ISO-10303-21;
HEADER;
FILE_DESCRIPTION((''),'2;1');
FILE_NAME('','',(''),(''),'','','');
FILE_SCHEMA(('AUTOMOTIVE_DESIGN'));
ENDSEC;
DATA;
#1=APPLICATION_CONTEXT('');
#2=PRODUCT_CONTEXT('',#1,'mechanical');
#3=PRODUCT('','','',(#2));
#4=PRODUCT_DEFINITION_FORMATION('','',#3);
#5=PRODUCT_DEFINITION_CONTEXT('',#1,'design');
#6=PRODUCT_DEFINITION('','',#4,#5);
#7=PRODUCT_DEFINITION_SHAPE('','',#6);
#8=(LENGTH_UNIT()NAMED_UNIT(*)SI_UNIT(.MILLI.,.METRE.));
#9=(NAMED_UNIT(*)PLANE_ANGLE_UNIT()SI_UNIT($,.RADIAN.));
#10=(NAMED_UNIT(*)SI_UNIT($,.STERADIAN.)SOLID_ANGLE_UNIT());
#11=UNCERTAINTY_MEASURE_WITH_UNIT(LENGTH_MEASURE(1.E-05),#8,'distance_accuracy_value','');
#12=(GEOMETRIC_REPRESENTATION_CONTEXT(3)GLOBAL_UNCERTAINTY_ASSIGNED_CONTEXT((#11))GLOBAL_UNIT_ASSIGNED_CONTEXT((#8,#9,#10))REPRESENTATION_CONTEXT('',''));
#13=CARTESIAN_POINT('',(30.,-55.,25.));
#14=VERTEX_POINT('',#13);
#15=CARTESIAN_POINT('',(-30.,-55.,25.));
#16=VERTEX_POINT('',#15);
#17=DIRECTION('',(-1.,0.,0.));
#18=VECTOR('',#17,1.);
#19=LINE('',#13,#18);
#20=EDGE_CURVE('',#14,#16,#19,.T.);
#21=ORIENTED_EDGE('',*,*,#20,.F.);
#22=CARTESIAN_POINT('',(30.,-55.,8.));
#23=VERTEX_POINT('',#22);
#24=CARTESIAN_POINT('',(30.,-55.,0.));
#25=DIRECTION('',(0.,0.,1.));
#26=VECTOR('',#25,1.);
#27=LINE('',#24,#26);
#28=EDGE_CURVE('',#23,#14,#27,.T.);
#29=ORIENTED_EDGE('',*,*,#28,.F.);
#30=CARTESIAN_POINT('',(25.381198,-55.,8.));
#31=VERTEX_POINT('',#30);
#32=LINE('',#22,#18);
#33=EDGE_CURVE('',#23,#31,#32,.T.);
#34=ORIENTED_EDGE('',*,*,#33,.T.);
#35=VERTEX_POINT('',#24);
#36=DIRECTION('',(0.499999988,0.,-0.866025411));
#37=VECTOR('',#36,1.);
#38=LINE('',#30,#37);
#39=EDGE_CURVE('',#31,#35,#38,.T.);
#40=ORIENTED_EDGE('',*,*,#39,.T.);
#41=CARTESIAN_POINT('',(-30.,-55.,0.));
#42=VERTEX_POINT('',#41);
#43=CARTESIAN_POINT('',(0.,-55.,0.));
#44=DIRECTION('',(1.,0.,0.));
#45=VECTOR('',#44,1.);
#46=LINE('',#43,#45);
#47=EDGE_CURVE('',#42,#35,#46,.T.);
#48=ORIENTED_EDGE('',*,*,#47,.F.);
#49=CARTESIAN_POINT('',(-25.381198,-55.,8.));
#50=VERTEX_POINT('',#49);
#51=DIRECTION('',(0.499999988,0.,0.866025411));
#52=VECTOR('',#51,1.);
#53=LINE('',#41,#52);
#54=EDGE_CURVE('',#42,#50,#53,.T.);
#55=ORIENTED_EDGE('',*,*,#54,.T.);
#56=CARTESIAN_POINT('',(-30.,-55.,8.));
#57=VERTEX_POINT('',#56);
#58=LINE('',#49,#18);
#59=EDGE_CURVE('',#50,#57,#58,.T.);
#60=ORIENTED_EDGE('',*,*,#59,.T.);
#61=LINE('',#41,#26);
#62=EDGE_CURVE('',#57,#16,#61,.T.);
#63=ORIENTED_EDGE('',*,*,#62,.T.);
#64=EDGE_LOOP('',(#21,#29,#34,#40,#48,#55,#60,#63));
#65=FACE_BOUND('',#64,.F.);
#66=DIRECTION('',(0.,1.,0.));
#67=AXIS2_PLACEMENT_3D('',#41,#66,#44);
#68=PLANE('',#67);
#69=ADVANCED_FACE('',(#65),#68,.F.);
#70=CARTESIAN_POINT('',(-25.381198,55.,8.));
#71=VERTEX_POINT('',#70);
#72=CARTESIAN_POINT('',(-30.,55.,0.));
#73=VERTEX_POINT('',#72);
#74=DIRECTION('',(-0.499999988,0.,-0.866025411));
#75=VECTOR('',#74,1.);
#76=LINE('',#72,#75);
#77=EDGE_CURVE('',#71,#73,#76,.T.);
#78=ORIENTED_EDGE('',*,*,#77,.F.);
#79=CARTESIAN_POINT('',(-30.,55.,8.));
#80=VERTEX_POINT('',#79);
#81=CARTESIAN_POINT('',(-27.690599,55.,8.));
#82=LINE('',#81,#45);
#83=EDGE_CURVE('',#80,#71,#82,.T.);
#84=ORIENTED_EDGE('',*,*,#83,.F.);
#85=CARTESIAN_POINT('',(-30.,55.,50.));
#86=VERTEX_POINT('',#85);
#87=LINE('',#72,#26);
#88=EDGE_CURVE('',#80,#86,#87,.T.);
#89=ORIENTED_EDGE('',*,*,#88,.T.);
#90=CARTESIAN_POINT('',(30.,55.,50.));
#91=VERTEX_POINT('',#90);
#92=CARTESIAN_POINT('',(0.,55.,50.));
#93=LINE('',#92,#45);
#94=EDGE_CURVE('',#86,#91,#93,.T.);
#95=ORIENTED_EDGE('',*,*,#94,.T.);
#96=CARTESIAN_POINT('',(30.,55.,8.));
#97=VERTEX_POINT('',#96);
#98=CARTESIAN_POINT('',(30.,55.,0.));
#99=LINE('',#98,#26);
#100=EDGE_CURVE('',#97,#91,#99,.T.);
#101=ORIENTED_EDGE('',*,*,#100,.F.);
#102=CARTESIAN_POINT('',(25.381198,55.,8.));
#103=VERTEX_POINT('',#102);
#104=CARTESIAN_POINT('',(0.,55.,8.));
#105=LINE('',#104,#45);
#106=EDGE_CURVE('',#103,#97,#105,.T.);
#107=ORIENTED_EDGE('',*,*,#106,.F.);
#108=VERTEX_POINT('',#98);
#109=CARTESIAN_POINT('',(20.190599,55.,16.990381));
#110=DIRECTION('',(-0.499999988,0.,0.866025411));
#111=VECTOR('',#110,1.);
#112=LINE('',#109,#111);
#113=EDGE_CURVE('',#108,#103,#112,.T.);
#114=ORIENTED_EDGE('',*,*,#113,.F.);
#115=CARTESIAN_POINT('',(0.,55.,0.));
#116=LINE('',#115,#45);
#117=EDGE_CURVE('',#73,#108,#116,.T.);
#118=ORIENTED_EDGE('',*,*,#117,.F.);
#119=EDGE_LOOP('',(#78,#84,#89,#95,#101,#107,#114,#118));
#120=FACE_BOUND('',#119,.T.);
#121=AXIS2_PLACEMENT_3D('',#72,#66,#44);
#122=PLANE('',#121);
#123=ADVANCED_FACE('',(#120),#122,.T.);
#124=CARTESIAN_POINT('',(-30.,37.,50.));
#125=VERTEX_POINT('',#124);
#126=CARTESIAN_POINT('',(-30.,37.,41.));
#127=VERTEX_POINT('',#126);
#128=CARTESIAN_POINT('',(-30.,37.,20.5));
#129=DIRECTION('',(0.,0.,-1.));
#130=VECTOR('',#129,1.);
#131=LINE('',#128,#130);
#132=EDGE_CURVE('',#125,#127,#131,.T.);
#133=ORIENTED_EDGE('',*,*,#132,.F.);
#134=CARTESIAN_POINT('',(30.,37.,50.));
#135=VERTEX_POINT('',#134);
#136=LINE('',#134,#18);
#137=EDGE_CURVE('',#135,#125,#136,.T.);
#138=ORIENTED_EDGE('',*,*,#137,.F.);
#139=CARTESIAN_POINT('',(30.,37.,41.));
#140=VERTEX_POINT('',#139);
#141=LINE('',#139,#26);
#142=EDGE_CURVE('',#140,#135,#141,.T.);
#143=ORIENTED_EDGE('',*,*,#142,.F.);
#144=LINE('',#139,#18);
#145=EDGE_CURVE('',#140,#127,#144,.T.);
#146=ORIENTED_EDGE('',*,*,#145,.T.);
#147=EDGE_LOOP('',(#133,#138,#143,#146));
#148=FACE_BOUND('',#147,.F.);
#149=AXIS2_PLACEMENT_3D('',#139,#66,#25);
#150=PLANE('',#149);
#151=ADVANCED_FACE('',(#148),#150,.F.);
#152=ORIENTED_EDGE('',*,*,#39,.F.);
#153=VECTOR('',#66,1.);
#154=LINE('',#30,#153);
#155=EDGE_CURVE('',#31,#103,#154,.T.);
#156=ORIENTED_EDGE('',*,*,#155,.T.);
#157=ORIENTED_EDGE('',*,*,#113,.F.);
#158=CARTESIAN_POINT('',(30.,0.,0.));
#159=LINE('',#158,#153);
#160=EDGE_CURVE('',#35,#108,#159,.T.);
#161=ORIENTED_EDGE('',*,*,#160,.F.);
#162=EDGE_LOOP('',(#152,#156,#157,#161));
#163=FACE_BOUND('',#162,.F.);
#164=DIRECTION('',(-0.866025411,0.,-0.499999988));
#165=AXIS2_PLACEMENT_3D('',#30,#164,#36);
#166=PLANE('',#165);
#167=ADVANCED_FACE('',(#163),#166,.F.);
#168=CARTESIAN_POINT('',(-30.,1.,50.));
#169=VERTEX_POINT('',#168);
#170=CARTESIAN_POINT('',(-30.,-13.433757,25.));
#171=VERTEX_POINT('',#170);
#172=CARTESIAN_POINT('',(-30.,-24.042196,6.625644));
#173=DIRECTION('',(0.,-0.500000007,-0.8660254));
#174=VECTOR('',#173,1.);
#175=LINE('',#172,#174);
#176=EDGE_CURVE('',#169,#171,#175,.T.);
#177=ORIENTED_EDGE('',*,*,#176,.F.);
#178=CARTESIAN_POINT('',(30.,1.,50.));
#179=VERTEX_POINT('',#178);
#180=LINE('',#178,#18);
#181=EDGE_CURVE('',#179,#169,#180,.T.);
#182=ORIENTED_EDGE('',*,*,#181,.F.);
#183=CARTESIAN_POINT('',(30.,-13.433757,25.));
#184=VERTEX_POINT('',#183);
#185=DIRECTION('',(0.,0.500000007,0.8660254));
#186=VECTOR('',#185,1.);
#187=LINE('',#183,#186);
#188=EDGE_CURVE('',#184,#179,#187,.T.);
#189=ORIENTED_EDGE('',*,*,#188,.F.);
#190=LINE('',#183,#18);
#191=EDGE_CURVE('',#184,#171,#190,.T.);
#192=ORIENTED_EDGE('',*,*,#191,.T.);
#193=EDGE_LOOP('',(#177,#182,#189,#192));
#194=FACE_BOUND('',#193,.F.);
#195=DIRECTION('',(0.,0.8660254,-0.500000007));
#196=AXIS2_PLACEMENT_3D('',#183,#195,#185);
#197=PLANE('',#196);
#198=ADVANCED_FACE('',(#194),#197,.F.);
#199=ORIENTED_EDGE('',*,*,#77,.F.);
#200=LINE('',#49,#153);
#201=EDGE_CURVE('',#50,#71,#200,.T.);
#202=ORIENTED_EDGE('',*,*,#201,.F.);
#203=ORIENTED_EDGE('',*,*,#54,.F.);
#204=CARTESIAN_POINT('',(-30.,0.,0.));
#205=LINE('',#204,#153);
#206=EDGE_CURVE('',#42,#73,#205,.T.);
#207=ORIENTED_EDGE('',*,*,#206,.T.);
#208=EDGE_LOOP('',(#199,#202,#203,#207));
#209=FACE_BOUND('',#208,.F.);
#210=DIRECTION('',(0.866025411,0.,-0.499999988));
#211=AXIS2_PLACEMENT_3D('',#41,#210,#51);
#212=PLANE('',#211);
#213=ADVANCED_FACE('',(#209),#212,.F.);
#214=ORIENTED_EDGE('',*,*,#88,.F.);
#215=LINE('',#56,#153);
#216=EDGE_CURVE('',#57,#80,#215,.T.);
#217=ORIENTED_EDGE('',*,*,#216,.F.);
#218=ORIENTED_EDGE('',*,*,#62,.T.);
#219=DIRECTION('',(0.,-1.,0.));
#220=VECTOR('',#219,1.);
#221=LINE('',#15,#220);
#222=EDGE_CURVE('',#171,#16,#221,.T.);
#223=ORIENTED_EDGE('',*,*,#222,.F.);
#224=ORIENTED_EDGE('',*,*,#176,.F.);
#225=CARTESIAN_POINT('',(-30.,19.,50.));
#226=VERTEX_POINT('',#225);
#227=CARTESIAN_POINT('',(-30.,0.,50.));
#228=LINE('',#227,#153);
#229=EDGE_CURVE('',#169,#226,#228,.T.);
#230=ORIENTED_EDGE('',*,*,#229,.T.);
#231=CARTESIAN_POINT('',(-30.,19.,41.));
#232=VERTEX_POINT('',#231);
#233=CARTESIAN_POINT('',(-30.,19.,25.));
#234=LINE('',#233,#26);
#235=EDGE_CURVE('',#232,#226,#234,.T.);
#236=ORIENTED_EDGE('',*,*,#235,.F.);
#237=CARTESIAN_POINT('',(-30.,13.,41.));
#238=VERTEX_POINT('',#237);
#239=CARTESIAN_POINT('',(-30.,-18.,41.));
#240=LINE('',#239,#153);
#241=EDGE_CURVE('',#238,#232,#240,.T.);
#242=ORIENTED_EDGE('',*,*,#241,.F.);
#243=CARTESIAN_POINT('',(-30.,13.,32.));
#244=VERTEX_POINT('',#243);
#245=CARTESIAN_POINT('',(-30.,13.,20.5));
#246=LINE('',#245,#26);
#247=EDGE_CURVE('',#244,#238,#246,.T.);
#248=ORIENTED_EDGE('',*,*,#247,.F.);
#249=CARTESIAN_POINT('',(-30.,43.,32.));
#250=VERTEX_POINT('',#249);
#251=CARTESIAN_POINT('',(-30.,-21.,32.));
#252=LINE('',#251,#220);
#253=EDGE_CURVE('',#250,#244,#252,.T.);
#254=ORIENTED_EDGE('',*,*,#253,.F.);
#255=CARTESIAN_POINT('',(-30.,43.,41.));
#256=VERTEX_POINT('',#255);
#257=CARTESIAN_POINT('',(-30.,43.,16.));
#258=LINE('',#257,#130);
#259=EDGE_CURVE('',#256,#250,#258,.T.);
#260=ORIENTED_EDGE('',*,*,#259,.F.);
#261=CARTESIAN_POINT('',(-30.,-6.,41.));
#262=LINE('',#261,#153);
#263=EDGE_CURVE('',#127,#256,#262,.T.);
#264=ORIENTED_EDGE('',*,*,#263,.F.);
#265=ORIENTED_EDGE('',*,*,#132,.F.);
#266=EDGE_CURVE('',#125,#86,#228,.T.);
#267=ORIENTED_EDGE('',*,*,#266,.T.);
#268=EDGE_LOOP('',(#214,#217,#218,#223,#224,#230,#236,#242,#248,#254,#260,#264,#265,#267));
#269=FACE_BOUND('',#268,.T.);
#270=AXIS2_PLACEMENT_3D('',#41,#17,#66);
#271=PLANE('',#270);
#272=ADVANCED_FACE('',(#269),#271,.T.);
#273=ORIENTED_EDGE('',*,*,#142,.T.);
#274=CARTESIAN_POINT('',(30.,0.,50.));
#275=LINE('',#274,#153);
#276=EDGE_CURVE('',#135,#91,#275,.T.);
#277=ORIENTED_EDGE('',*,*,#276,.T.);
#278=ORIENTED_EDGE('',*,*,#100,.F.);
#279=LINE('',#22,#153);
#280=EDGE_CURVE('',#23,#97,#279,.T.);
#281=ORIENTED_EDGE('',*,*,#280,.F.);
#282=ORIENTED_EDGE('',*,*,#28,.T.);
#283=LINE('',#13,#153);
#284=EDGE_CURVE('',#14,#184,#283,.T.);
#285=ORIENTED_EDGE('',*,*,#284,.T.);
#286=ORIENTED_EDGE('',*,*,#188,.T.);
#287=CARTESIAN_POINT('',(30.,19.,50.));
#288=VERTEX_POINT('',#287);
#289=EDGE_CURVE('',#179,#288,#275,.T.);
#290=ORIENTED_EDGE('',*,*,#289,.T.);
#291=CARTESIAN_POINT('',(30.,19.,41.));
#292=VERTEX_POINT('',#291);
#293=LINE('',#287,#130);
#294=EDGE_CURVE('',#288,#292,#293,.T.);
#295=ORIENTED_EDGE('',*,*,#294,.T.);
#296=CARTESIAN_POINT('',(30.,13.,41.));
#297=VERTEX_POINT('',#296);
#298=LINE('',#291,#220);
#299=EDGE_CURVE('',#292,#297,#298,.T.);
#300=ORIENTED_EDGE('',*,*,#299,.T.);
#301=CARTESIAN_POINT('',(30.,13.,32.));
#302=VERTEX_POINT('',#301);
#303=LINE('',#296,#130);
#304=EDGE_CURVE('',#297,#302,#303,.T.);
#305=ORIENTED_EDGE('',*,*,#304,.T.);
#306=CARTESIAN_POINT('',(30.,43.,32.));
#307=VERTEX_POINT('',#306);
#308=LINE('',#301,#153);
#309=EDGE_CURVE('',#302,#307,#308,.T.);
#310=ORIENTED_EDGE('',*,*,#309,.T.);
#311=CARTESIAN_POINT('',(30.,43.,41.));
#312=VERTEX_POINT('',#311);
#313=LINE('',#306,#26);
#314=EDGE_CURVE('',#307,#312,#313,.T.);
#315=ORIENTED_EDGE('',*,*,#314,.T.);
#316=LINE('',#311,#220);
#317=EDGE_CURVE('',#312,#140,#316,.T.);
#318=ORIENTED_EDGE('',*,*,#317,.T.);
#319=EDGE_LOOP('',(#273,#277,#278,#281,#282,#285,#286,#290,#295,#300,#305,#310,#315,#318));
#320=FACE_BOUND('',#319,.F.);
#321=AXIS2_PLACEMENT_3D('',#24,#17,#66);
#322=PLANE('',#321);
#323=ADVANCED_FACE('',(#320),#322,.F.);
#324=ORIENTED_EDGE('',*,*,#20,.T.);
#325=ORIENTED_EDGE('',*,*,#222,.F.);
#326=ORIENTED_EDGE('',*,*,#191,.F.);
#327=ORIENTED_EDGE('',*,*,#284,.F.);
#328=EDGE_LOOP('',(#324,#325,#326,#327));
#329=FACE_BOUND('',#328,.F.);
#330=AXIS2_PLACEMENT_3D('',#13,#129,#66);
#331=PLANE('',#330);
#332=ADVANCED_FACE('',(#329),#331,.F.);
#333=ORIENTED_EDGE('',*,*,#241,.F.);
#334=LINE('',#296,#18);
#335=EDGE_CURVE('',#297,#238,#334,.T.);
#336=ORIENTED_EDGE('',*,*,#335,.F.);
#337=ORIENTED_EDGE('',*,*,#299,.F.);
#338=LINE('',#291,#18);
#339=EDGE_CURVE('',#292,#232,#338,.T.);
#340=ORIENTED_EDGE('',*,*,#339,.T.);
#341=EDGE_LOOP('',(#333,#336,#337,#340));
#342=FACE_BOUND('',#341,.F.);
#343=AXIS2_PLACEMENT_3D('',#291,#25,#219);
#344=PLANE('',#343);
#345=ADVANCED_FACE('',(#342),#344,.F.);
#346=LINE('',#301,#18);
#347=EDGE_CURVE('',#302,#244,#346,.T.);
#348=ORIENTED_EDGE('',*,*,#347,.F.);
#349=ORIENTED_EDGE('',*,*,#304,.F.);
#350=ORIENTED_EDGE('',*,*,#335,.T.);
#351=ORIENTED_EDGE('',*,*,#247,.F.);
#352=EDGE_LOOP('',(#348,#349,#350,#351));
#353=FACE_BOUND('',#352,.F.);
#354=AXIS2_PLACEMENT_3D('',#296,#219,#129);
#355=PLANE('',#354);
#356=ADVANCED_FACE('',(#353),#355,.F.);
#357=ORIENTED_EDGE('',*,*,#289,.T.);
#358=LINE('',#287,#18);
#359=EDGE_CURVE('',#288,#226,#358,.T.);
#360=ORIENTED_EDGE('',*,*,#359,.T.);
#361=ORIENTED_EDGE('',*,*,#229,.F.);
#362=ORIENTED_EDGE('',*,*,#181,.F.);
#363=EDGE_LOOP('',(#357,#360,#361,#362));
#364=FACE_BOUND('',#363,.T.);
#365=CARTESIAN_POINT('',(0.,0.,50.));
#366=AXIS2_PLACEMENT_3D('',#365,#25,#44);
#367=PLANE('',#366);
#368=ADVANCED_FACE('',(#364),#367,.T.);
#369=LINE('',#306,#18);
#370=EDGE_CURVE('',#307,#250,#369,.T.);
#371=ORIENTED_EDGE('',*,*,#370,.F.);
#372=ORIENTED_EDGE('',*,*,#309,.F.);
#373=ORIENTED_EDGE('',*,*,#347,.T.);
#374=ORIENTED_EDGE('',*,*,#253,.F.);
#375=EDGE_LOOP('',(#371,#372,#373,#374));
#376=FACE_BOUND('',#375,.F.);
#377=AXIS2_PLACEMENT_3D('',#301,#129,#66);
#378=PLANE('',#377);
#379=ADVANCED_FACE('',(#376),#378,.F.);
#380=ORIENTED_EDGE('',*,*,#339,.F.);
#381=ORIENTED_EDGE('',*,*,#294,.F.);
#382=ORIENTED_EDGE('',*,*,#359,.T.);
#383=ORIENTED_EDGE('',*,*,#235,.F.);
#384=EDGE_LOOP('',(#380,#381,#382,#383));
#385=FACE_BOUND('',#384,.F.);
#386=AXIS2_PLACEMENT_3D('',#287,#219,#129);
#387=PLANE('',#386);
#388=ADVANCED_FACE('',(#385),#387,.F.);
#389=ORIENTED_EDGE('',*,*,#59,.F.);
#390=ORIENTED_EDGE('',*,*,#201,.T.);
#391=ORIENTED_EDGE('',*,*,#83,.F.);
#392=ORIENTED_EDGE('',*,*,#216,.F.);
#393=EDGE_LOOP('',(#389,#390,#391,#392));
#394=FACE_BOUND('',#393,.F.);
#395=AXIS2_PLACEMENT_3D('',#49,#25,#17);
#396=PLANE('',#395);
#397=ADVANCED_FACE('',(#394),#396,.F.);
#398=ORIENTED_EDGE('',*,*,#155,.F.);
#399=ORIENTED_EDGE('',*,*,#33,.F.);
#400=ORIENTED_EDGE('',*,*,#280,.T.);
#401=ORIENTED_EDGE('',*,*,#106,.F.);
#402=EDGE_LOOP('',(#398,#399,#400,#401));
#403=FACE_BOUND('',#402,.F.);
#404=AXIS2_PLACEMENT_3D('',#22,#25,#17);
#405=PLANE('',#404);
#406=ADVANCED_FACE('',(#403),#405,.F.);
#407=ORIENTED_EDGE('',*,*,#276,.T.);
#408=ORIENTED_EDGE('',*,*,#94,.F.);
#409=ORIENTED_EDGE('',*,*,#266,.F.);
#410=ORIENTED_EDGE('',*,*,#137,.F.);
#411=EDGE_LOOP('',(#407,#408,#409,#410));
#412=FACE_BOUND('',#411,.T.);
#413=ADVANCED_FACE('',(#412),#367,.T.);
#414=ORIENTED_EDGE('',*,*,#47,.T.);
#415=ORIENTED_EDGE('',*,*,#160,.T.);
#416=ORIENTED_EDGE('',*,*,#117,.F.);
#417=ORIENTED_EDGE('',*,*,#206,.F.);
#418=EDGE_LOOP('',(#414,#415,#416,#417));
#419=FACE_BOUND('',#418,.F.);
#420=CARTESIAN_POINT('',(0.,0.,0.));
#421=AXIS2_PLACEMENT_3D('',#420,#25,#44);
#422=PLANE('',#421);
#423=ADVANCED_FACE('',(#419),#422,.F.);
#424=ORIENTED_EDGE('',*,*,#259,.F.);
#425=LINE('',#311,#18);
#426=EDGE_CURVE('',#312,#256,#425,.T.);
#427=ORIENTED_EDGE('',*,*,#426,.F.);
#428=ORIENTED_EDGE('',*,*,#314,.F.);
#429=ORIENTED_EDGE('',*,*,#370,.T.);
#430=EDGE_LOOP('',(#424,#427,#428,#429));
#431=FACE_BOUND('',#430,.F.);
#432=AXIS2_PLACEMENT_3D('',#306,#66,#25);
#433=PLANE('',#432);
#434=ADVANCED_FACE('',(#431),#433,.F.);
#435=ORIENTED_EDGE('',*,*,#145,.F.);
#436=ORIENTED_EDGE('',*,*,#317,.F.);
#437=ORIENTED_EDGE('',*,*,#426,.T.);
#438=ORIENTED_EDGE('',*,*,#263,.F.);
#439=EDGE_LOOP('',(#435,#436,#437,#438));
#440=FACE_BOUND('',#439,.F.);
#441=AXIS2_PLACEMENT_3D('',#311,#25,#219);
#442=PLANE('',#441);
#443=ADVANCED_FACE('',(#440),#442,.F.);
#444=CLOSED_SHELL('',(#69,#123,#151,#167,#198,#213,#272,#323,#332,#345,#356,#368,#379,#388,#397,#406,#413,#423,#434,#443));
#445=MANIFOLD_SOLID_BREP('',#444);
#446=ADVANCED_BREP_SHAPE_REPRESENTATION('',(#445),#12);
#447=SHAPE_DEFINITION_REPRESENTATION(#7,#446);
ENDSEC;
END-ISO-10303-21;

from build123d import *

# Parameters (mm, degrees)
F0_W     = 60
F0_H     = 110
F1_DEPTH = 50
F3_DEPTH = 60.001
F5_DEPTH = 110.001


with BuildPart() as f1:
    # F0 (on Top) → F1 (new body)
    with BuildSketch(Plane.XY):
        Rectangle(F0_W, F0_H)
    extrude(amount=F1_DEPTH)

    # F2 (on face) → F3 (cut, through all)
    with BuildSketch(Plane.YZ.offset(30)):
        Polygon((-55, 50), (-55, 25), (-13.433757, 25), (1, 50), align=None)
        Polygon((37, 50), (19, 50), (19, 41), (13, 41), (13, 32), (43, 32), (43, 41), (37, 41), align=None)
    extrude(amount=-F3_DEPTH, mode=Mode.SUBTRACT)

    # F4 (on face) → F5 (cut, through all)
    with BuildSketch(Plane.XZ.offset(55)):
        Polygon((25.381198, 8), (30, 0), (30, 8), align=None)
        Polygon((-25.381198, 8), (-30, 8), (-30, 0), align=None)
    extrude(amount=-F5_DEPTH, mode=Mode.SUBTRACT)


solid = f1.part
